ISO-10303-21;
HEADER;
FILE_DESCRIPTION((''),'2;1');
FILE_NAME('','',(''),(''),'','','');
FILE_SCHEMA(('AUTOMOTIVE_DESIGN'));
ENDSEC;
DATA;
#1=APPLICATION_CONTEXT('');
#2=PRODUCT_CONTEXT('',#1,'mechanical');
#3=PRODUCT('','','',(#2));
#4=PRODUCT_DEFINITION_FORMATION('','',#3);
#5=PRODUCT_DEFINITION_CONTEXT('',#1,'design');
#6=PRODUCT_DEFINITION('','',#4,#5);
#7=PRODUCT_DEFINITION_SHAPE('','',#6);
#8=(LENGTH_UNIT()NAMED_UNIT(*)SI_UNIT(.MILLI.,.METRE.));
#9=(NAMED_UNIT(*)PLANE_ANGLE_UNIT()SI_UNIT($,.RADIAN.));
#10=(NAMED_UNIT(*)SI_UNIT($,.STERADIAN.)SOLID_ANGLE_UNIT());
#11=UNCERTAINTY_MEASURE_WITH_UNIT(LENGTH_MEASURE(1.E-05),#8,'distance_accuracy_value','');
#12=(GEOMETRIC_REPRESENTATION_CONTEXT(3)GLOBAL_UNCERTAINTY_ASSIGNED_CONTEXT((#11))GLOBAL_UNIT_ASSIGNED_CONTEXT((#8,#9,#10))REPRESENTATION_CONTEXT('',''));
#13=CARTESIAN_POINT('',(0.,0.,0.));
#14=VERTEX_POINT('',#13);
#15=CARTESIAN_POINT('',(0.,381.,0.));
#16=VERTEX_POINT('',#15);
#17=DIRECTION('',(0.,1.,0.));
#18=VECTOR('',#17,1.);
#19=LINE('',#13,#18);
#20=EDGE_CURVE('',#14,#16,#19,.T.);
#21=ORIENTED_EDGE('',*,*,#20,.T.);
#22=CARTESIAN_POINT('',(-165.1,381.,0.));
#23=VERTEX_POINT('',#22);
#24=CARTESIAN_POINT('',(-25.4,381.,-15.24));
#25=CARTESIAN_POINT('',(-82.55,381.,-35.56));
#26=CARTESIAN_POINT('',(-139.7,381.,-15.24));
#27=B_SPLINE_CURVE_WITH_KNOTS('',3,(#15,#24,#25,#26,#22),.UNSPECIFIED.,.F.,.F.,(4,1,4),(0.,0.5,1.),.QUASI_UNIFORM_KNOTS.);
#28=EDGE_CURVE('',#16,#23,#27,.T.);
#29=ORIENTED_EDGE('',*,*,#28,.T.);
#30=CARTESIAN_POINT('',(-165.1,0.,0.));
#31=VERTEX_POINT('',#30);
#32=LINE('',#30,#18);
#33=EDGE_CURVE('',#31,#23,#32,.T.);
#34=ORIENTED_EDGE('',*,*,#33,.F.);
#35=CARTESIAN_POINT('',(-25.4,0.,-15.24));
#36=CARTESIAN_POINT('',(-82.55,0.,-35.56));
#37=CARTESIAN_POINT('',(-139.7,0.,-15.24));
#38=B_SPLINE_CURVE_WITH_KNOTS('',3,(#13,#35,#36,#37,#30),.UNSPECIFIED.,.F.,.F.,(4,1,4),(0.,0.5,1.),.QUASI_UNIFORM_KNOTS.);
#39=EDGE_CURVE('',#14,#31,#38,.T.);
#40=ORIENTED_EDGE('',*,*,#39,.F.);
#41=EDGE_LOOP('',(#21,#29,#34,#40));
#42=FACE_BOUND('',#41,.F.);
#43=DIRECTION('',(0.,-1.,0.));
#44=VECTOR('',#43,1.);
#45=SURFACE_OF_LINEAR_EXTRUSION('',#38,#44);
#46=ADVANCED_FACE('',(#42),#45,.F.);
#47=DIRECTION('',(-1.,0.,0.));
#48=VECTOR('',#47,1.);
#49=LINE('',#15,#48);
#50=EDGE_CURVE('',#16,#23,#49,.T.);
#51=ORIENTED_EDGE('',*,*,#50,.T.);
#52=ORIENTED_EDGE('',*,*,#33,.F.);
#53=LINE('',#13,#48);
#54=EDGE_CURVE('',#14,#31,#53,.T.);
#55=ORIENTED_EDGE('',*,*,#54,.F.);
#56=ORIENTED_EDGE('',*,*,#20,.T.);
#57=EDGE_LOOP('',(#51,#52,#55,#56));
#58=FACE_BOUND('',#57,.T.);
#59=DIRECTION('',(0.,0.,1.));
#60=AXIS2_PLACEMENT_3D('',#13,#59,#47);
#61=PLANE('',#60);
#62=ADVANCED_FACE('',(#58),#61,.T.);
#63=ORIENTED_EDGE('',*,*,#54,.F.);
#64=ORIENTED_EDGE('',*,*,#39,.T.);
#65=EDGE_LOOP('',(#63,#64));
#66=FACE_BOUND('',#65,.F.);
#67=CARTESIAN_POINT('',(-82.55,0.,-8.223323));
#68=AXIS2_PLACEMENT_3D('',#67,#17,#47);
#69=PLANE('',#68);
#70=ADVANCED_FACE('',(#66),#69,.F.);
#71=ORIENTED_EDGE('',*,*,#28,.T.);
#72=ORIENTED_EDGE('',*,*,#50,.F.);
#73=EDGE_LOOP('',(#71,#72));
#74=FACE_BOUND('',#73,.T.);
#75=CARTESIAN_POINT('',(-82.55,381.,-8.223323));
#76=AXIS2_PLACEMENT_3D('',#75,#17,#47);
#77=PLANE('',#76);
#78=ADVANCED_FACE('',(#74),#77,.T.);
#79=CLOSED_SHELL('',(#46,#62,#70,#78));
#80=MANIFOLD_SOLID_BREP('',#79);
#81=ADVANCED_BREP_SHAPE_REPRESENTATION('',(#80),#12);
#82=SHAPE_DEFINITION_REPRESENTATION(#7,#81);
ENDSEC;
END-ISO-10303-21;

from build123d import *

# Parameters (mm, degrees)
F5_DEPTH = 381


with BuildPart() as f5:
    # F0 (on Front) → F5 (new body, through all)
    with BuildSketch(Plane.XZ):
        with BuildLine():
            add(Edge.make_bspline(
                [(0, 0), (-25.4, -15.24), (-82.55, -35.56), (-139.7, -15.24), (-165.1, 0)],
                knots=[0, 0, 0, 0, 0.5, 1, 1, 1, 1], degree=3))
            Line((0, 0), (-165.1, 0))
        make_face()
    extrude(amount=-F5_DEPTH)


solid = f5.part
